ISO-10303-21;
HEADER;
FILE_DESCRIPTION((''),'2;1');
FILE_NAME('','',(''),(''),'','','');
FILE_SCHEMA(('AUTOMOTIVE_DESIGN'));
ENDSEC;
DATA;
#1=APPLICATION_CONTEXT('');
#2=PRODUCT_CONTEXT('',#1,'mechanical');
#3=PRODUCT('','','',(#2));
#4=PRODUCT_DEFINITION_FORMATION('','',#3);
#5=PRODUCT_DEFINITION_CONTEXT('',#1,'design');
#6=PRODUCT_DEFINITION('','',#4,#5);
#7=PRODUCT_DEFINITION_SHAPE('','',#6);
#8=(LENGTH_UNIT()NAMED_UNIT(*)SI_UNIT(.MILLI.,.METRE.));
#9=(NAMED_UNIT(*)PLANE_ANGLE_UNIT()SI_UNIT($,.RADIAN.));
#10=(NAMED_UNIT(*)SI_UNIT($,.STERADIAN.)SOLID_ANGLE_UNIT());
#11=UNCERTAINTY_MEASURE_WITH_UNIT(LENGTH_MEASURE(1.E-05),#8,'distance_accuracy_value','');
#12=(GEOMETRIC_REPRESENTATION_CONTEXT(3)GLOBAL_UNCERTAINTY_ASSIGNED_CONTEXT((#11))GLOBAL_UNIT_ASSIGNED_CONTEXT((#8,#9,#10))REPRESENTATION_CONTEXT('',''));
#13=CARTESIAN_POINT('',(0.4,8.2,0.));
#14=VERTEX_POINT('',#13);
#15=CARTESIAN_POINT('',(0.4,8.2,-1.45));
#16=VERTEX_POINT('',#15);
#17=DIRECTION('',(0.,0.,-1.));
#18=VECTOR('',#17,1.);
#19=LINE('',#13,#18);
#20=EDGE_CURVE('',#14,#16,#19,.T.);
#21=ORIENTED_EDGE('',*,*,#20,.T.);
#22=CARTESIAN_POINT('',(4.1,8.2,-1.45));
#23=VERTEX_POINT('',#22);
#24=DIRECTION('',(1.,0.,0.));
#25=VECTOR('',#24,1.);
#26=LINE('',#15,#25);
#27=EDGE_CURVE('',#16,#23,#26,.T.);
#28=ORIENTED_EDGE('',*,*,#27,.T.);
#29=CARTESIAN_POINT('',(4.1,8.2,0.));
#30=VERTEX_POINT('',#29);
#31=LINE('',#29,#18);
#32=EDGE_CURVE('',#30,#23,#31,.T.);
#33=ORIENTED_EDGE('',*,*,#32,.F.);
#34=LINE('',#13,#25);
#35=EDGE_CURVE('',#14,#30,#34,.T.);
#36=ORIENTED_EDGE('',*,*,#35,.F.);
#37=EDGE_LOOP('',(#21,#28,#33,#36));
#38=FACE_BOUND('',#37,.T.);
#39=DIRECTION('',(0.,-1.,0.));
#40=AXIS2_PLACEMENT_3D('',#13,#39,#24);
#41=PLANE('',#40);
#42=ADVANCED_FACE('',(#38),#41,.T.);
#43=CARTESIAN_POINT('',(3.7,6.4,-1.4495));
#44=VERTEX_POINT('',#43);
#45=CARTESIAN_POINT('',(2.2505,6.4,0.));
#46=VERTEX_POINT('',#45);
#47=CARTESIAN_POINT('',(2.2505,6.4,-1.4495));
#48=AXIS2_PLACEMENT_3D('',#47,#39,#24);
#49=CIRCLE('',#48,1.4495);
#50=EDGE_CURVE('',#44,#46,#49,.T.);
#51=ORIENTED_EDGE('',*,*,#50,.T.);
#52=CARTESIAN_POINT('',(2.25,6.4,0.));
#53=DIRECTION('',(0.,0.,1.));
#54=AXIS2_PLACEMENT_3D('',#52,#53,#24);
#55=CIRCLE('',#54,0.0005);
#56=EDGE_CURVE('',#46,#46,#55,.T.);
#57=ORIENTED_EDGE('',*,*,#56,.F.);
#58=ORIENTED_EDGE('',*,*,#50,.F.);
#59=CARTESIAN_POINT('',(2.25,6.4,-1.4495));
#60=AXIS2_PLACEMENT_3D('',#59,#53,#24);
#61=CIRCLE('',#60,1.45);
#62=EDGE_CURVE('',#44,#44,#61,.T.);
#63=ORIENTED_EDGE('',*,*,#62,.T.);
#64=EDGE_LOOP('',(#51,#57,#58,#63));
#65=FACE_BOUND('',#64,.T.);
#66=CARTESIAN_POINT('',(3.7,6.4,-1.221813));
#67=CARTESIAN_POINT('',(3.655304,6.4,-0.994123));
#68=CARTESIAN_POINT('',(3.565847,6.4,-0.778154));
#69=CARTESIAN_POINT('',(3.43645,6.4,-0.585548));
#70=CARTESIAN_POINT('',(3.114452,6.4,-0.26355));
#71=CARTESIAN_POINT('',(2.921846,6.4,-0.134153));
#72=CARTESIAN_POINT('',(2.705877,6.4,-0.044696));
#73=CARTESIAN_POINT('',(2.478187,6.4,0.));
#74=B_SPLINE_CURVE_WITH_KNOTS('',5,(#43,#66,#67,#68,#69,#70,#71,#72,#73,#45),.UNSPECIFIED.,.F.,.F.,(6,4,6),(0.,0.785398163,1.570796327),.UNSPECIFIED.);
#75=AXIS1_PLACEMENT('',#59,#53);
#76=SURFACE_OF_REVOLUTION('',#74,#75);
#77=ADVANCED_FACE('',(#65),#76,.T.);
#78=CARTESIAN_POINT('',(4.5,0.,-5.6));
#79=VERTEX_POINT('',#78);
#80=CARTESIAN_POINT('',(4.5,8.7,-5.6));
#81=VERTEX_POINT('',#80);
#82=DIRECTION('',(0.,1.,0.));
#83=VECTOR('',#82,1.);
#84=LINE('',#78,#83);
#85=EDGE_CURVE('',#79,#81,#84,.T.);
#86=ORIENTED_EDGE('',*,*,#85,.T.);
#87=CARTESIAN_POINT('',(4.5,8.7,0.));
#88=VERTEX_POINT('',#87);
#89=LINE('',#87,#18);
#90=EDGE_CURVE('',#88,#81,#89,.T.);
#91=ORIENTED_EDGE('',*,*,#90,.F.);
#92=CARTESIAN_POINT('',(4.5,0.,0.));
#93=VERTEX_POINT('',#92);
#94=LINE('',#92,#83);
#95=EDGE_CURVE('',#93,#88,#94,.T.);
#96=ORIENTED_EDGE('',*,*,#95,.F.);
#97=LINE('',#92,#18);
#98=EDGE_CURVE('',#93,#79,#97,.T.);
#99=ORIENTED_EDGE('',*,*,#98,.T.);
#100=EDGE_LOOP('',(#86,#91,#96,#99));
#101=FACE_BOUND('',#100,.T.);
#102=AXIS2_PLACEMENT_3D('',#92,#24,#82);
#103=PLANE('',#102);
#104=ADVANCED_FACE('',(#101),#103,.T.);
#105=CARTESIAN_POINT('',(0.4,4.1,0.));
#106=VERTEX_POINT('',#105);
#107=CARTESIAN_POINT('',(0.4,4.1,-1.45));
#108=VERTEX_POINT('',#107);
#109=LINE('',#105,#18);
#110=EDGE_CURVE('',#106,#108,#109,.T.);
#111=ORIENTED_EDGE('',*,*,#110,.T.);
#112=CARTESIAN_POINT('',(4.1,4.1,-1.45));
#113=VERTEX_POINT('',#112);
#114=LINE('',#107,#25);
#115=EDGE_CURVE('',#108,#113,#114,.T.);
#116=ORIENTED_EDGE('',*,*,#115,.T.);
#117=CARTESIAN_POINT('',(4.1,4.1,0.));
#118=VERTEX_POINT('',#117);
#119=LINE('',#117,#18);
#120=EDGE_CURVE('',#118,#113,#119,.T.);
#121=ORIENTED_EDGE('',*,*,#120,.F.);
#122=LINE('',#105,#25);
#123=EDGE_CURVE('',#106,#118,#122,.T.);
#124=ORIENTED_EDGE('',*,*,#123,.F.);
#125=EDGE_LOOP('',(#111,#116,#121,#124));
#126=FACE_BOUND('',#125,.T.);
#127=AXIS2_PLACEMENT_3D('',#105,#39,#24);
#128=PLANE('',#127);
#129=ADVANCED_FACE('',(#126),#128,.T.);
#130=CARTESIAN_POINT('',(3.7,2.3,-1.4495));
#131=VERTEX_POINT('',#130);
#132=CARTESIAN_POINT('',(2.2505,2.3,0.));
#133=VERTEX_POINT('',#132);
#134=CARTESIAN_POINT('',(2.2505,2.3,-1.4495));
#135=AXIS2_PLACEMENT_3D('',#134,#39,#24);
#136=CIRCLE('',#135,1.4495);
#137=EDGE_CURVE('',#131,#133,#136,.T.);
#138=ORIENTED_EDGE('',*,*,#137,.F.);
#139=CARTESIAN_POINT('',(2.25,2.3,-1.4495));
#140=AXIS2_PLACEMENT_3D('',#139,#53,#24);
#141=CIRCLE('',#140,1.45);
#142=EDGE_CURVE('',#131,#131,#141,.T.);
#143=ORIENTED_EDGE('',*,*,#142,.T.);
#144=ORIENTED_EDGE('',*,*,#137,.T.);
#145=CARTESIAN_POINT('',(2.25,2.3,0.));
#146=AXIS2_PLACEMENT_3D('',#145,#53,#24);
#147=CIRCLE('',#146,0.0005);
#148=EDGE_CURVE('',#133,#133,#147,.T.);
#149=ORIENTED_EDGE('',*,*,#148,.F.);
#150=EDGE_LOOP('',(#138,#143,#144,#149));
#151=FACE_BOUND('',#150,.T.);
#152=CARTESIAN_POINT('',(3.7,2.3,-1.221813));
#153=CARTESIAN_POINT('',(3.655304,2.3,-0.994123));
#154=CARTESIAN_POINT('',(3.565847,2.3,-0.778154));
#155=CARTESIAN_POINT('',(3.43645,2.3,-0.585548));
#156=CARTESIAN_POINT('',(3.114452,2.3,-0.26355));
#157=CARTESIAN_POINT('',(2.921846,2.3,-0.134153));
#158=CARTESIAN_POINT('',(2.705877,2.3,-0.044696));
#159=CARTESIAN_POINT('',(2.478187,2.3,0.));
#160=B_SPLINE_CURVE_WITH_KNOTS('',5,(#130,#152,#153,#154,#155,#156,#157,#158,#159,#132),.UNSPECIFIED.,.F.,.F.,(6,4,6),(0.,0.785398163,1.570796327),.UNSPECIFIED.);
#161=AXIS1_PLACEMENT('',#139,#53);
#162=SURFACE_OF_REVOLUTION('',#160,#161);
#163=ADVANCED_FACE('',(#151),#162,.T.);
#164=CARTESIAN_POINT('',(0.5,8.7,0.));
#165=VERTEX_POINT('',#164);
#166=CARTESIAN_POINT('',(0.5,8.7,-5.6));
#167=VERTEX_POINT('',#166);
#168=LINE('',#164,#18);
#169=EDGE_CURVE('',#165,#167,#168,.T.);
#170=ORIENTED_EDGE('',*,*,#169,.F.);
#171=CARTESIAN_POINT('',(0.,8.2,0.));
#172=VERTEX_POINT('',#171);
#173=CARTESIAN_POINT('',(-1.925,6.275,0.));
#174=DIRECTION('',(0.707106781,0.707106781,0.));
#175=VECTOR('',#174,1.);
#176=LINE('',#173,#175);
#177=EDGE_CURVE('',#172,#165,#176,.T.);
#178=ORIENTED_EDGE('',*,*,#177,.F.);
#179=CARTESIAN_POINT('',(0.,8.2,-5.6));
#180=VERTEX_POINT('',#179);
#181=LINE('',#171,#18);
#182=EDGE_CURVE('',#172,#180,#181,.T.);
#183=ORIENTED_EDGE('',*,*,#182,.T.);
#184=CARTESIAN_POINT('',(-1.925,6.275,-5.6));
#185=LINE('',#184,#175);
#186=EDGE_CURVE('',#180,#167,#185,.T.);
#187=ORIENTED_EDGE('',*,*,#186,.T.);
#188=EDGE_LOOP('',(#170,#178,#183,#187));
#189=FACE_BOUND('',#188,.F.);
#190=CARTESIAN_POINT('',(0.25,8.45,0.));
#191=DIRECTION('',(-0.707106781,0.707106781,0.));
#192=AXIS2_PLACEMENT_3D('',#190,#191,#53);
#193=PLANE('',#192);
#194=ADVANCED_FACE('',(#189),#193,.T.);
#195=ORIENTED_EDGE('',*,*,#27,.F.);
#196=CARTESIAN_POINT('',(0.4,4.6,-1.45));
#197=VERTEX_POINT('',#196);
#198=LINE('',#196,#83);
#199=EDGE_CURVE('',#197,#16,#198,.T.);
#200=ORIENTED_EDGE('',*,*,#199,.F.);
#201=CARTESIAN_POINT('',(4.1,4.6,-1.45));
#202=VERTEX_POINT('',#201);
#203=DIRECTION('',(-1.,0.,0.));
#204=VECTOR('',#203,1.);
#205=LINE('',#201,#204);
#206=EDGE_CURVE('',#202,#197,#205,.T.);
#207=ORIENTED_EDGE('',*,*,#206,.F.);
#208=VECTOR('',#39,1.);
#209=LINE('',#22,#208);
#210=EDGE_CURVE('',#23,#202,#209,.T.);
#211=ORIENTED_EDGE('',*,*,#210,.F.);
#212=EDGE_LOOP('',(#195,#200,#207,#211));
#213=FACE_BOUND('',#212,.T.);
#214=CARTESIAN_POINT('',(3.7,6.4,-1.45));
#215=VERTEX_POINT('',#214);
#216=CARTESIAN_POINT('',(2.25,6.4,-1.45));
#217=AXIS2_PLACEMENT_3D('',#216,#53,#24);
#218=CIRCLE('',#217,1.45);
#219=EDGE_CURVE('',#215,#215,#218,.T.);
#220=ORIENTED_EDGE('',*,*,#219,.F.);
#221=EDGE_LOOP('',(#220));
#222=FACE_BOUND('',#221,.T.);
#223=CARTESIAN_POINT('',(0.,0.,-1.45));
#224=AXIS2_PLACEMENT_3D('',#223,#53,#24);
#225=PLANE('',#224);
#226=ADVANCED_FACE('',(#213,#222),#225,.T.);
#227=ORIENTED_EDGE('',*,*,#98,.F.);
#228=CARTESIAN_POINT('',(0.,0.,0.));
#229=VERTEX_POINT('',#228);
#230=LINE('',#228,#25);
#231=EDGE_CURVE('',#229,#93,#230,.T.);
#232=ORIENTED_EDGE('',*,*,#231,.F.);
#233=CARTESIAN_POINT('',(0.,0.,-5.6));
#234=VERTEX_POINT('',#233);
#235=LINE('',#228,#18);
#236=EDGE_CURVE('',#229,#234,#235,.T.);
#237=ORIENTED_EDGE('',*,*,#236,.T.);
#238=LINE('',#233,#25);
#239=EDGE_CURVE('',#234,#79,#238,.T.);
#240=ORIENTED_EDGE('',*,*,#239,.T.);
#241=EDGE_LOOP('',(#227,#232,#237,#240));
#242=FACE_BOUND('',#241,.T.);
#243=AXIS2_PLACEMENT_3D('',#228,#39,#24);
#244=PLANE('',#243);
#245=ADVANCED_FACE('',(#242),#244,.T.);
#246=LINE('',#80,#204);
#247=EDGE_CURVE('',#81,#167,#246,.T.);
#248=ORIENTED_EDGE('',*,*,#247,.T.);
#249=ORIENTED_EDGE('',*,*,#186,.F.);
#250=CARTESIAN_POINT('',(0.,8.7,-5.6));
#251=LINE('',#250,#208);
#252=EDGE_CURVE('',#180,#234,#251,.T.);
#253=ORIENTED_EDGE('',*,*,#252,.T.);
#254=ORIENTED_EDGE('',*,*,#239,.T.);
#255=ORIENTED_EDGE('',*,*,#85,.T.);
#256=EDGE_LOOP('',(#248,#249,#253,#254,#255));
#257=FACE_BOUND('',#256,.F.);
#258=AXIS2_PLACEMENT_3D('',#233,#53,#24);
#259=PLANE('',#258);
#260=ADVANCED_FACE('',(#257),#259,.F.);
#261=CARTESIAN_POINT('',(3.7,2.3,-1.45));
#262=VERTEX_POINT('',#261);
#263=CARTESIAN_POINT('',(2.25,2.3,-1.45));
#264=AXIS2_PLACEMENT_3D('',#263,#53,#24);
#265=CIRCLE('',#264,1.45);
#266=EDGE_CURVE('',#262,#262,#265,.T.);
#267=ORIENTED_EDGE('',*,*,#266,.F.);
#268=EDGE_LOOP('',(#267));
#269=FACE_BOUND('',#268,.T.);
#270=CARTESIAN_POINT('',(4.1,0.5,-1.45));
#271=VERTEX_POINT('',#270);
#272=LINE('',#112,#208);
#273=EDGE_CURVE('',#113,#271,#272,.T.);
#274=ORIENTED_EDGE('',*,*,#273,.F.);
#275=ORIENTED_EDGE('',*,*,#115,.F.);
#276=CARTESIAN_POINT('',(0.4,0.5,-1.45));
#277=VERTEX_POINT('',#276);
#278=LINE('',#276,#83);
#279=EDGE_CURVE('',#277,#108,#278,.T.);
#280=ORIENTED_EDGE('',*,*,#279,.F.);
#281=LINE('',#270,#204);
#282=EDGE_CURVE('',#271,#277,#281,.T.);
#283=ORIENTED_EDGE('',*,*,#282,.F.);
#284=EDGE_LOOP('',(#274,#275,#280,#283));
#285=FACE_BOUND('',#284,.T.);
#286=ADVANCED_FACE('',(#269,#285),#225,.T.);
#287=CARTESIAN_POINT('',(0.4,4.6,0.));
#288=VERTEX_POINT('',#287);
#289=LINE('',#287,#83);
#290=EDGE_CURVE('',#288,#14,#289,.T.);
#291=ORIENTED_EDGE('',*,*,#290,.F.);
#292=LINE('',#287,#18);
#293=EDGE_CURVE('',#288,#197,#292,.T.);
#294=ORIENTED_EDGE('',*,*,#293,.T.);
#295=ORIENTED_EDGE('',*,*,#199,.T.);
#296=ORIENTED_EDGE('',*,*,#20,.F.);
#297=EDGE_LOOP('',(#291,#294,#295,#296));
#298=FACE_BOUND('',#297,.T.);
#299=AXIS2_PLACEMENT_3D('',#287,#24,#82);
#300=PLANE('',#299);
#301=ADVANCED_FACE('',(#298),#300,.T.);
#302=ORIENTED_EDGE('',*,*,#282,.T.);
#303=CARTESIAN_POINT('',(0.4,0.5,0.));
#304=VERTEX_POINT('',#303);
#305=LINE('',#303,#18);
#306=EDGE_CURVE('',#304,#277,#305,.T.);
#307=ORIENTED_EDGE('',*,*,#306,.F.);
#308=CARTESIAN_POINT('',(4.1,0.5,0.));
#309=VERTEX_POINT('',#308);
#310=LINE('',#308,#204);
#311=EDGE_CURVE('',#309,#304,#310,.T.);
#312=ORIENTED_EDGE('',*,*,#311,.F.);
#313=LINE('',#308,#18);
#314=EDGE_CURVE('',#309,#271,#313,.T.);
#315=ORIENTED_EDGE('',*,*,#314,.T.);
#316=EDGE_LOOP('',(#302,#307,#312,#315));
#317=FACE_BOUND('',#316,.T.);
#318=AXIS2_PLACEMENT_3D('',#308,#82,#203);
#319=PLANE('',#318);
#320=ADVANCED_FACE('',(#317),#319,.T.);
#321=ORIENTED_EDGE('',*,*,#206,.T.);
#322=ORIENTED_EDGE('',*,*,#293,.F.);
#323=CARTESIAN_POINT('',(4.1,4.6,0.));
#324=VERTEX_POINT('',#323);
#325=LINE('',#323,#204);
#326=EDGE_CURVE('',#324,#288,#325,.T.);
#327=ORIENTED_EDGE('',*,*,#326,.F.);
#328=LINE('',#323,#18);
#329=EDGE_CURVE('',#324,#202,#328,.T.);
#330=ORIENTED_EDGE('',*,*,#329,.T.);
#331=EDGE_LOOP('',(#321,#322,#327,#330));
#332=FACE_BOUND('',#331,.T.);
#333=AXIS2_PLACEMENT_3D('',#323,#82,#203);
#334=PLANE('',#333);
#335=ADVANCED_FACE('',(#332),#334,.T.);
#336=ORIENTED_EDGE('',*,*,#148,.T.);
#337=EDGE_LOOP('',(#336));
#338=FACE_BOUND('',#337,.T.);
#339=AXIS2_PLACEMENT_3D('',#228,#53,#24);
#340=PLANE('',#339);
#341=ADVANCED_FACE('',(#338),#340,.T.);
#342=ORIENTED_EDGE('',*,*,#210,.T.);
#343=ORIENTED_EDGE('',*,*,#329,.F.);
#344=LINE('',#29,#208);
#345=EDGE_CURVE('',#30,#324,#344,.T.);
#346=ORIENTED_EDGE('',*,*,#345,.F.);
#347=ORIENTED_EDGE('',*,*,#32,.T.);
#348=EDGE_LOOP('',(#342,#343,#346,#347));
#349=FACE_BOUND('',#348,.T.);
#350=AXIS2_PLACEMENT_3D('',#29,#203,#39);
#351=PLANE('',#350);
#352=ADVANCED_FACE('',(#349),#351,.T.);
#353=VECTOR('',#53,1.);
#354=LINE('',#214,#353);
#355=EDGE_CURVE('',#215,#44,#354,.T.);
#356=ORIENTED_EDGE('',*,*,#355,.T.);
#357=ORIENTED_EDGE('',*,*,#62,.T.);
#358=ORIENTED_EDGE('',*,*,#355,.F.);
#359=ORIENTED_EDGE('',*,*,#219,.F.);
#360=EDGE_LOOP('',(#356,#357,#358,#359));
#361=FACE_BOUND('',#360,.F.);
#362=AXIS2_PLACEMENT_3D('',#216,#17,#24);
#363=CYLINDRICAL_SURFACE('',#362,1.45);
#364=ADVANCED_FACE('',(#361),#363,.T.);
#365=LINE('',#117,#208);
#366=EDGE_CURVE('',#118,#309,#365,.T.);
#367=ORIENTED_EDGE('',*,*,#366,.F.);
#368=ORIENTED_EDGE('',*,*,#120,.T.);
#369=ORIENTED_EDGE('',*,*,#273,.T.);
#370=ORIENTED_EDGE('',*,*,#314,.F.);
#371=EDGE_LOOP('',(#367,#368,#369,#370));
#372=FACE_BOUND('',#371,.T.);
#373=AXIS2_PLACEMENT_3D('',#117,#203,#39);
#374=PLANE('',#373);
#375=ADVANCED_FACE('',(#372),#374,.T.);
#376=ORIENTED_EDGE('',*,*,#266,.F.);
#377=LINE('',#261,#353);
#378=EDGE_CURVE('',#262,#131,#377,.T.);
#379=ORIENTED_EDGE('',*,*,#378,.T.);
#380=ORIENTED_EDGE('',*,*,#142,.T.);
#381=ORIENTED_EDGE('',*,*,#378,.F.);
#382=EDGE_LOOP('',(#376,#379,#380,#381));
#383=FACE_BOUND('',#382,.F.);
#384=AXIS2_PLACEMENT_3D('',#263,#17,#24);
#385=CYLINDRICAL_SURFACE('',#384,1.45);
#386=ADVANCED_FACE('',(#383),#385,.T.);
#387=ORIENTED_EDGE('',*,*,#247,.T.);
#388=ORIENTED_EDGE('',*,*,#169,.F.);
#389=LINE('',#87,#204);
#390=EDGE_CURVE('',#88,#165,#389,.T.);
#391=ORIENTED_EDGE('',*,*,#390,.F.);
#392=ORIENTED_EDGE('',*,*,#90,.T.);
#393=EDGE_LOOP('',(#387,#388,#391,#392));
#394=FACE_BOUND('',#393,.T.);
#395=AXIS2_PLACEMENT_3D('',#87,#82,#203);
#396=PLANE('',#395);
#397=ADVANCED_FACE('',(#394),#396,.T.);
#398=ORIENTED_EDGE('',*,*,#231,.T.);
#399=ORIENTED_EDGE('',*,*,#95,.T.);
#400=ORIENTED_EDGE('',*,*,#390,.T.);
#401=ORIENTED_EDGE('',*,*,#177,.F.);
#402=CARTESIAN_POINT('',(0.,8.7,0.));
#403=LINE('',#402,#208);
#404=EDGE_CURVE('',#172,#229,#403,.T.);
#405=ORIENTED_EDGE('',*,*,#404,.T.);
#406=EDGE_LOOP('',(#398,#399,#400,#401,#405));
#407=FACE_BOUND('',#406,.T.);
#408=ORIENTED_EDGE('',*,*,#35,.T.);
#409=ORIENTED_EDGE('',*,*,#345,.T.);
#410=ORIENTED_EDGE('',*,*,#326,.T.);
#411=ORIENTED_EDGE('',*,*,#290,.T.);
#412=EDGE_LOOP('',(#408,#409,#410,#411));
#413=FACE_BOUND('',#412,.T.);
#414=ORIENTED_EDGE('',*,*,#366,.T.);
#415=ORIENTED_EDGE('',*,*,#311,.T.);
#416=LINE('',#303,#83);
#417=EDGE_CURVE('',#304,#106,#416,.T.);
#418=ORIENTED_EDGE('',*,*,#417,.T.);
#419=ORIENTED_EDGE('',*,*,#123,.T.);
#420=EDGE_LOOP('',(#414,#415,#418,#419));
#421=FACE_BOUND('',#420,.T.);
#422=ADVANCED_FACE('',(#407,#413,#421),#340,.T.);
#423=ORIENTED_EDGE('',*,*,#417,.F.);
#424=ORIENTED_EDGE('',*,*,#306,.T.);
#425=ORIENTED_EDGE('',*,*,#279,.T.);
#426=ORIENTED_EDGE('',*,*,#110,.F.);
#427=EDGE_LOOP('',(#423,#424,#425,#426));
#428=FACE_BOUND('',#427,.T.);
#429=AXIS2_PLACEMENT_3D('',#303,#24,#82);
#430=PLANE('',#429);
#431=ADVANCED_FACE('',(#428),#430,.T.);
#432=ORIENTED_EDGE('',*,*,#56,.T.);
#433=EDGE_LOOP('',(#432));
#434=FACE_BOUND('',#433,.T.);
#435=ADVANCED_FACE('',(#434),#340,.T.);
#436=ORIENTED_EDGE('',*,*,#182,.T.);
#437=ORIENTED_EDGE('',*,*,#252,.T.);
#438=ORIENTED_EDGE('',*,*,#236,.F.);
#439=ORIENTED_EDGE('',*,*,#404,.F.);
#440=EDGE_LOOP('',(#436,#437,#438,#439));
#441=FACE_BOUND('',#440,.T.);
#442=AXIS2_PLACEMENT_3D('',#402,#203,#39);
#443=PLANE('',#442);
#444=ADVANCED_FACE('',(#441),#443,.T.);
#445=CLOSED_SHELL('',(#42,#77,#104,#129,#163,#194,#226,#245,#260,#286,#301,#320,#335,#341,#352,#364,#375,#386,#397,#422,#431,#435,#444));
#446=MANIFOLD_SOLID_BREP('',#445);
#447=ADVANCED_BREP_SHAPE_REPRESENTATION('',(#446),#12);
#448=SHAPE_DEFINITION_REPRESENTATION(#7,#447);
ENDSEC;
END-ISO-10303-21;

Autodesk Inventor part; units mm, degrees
ref_plane "YZ Plane" through (0, 0, 0) normal (1, 0, 0) x (0, 1, 0)
ref_plane "XZ Plane" through (0, 0, 0) normal (0, 1, 0) x (-1, 0, 0)
ref_plane "XY Plane" through (0, 0, 0) normal (0, 0, 1) x (1, 0, 0)
sketch "スケッチ1" plane through (0, 0, 0) normal (0, 0, 1) x (1, 0, 0)
  line L0 (0, 0) -> (4.5, 0)
  line L1 (4.5, 0) -> (4.5, 8.7)
  line L2 (4.5, 8.7) -> (0, 8.7)
  line L3 (0, 8.7) -> (0, 0)
  dimension "d0" = 4.5
  dimension "d1" = 8.7
extrude "押し出し1" add sketch "スケッチ1" against normal blind 5.6
chamfer "面取り1" distance 0.5 angle 45 1 edges at (0, 8.7, -2.8)
sketch "スケッチ2" plane through (0, 0, 0) normal (0, 0, 1) x (1, 0, 0)
  line L0 (0.4, 8.2) -> (4.1, 8.2)
  line L1 (4.1, 8.2) -> (4.1, 4.6)
  line L2 (4.1, 4.6) -> (0.4, 4.6)
  line L3 (0.4, 4.6) -> (0.4, 8.2)
  line L4 (0.4, 4.1) -> (4.1, 4.1)
  line L5 (4.1, 4.1) -> (4.1, 0.5)
  line L6 (4.1, 0.5) -> (0.4, 0.5)
  line L7 (0.4, 0.5) -> (0.4, 4.1)
  line L8 (0, 0) -> (4.5, 0) projected
  line L9 (4.5, 8.7) -> (0.5, 8.7) projected
  point P0 (2.25, 0)
  point P1 (2.25, 0.5)
  dimension "d7" = 3.7
  dimension "d8" = 3.6
  dimension "d9" = 3.6
  dimension "d10" = 0.5
  dimension "d11" = 0.5
extrude "押し出し2" cut sketch "スケッチ2" against normal blind 1.45
sketch "スケッチ3" plane through (0, 0, -1.45) normal (0, 0, 1) x (1, 0, 0)
  line L0 (4.1, 4.6) -> (0.4, 4.6) projected
  line L1 (4.1, 8.2) -> (4.1, 4.6) projected
  line L2 (0.4, 8.2) -> (4.1, 8.2) projected
  line L3 (0.4, 4.6) -> (0.4, 8.2) projected
  line L4 (4.1, 0.5) -> (0.4, 0.5) projected
  line L5 (4.1, 4.1) -> (4.1, 0.5) projected
  line L6 (0.4, 4.1) -> (4.1, 4.1) projected
  line L7 (0.4, 0.5) -> (0.4, 4.1) projected
  circle A0 centre (2.25, 6.4) radius 1.45
  circle A1 centre (2.25, 2.3) radius 1.45
  line L8 (4.1, 4.1) -> (4.1, 0.5) projected
  line L9 (4.1, 8.2) -> (4.1, 4.6) projected
  line L10 (0.4, 8.2) -> (4.1, 8.2) projected
  line L11 (0.4, 4.1) -> (4.1, 4.1) projected
  point P0 (0, 0)
  point P1 (4.1, 2.3)
  point P2 (4.1, 6.4)
  point P3 (2.25, 8.2)
  point P4 (2.25, 4.1)
  dimension "d14" = 2.9
  dimension "d15" = 2.9
extrude "押し出し3" add sketch "スケッチ3" along normal blind 1.45 contours A0 | A1
fillet "フィレット1" radius 1.45 2 edges at (0.8, 6.4, 0) (0.8, 2.3, 0)
properties part number "LBR127HLD"
